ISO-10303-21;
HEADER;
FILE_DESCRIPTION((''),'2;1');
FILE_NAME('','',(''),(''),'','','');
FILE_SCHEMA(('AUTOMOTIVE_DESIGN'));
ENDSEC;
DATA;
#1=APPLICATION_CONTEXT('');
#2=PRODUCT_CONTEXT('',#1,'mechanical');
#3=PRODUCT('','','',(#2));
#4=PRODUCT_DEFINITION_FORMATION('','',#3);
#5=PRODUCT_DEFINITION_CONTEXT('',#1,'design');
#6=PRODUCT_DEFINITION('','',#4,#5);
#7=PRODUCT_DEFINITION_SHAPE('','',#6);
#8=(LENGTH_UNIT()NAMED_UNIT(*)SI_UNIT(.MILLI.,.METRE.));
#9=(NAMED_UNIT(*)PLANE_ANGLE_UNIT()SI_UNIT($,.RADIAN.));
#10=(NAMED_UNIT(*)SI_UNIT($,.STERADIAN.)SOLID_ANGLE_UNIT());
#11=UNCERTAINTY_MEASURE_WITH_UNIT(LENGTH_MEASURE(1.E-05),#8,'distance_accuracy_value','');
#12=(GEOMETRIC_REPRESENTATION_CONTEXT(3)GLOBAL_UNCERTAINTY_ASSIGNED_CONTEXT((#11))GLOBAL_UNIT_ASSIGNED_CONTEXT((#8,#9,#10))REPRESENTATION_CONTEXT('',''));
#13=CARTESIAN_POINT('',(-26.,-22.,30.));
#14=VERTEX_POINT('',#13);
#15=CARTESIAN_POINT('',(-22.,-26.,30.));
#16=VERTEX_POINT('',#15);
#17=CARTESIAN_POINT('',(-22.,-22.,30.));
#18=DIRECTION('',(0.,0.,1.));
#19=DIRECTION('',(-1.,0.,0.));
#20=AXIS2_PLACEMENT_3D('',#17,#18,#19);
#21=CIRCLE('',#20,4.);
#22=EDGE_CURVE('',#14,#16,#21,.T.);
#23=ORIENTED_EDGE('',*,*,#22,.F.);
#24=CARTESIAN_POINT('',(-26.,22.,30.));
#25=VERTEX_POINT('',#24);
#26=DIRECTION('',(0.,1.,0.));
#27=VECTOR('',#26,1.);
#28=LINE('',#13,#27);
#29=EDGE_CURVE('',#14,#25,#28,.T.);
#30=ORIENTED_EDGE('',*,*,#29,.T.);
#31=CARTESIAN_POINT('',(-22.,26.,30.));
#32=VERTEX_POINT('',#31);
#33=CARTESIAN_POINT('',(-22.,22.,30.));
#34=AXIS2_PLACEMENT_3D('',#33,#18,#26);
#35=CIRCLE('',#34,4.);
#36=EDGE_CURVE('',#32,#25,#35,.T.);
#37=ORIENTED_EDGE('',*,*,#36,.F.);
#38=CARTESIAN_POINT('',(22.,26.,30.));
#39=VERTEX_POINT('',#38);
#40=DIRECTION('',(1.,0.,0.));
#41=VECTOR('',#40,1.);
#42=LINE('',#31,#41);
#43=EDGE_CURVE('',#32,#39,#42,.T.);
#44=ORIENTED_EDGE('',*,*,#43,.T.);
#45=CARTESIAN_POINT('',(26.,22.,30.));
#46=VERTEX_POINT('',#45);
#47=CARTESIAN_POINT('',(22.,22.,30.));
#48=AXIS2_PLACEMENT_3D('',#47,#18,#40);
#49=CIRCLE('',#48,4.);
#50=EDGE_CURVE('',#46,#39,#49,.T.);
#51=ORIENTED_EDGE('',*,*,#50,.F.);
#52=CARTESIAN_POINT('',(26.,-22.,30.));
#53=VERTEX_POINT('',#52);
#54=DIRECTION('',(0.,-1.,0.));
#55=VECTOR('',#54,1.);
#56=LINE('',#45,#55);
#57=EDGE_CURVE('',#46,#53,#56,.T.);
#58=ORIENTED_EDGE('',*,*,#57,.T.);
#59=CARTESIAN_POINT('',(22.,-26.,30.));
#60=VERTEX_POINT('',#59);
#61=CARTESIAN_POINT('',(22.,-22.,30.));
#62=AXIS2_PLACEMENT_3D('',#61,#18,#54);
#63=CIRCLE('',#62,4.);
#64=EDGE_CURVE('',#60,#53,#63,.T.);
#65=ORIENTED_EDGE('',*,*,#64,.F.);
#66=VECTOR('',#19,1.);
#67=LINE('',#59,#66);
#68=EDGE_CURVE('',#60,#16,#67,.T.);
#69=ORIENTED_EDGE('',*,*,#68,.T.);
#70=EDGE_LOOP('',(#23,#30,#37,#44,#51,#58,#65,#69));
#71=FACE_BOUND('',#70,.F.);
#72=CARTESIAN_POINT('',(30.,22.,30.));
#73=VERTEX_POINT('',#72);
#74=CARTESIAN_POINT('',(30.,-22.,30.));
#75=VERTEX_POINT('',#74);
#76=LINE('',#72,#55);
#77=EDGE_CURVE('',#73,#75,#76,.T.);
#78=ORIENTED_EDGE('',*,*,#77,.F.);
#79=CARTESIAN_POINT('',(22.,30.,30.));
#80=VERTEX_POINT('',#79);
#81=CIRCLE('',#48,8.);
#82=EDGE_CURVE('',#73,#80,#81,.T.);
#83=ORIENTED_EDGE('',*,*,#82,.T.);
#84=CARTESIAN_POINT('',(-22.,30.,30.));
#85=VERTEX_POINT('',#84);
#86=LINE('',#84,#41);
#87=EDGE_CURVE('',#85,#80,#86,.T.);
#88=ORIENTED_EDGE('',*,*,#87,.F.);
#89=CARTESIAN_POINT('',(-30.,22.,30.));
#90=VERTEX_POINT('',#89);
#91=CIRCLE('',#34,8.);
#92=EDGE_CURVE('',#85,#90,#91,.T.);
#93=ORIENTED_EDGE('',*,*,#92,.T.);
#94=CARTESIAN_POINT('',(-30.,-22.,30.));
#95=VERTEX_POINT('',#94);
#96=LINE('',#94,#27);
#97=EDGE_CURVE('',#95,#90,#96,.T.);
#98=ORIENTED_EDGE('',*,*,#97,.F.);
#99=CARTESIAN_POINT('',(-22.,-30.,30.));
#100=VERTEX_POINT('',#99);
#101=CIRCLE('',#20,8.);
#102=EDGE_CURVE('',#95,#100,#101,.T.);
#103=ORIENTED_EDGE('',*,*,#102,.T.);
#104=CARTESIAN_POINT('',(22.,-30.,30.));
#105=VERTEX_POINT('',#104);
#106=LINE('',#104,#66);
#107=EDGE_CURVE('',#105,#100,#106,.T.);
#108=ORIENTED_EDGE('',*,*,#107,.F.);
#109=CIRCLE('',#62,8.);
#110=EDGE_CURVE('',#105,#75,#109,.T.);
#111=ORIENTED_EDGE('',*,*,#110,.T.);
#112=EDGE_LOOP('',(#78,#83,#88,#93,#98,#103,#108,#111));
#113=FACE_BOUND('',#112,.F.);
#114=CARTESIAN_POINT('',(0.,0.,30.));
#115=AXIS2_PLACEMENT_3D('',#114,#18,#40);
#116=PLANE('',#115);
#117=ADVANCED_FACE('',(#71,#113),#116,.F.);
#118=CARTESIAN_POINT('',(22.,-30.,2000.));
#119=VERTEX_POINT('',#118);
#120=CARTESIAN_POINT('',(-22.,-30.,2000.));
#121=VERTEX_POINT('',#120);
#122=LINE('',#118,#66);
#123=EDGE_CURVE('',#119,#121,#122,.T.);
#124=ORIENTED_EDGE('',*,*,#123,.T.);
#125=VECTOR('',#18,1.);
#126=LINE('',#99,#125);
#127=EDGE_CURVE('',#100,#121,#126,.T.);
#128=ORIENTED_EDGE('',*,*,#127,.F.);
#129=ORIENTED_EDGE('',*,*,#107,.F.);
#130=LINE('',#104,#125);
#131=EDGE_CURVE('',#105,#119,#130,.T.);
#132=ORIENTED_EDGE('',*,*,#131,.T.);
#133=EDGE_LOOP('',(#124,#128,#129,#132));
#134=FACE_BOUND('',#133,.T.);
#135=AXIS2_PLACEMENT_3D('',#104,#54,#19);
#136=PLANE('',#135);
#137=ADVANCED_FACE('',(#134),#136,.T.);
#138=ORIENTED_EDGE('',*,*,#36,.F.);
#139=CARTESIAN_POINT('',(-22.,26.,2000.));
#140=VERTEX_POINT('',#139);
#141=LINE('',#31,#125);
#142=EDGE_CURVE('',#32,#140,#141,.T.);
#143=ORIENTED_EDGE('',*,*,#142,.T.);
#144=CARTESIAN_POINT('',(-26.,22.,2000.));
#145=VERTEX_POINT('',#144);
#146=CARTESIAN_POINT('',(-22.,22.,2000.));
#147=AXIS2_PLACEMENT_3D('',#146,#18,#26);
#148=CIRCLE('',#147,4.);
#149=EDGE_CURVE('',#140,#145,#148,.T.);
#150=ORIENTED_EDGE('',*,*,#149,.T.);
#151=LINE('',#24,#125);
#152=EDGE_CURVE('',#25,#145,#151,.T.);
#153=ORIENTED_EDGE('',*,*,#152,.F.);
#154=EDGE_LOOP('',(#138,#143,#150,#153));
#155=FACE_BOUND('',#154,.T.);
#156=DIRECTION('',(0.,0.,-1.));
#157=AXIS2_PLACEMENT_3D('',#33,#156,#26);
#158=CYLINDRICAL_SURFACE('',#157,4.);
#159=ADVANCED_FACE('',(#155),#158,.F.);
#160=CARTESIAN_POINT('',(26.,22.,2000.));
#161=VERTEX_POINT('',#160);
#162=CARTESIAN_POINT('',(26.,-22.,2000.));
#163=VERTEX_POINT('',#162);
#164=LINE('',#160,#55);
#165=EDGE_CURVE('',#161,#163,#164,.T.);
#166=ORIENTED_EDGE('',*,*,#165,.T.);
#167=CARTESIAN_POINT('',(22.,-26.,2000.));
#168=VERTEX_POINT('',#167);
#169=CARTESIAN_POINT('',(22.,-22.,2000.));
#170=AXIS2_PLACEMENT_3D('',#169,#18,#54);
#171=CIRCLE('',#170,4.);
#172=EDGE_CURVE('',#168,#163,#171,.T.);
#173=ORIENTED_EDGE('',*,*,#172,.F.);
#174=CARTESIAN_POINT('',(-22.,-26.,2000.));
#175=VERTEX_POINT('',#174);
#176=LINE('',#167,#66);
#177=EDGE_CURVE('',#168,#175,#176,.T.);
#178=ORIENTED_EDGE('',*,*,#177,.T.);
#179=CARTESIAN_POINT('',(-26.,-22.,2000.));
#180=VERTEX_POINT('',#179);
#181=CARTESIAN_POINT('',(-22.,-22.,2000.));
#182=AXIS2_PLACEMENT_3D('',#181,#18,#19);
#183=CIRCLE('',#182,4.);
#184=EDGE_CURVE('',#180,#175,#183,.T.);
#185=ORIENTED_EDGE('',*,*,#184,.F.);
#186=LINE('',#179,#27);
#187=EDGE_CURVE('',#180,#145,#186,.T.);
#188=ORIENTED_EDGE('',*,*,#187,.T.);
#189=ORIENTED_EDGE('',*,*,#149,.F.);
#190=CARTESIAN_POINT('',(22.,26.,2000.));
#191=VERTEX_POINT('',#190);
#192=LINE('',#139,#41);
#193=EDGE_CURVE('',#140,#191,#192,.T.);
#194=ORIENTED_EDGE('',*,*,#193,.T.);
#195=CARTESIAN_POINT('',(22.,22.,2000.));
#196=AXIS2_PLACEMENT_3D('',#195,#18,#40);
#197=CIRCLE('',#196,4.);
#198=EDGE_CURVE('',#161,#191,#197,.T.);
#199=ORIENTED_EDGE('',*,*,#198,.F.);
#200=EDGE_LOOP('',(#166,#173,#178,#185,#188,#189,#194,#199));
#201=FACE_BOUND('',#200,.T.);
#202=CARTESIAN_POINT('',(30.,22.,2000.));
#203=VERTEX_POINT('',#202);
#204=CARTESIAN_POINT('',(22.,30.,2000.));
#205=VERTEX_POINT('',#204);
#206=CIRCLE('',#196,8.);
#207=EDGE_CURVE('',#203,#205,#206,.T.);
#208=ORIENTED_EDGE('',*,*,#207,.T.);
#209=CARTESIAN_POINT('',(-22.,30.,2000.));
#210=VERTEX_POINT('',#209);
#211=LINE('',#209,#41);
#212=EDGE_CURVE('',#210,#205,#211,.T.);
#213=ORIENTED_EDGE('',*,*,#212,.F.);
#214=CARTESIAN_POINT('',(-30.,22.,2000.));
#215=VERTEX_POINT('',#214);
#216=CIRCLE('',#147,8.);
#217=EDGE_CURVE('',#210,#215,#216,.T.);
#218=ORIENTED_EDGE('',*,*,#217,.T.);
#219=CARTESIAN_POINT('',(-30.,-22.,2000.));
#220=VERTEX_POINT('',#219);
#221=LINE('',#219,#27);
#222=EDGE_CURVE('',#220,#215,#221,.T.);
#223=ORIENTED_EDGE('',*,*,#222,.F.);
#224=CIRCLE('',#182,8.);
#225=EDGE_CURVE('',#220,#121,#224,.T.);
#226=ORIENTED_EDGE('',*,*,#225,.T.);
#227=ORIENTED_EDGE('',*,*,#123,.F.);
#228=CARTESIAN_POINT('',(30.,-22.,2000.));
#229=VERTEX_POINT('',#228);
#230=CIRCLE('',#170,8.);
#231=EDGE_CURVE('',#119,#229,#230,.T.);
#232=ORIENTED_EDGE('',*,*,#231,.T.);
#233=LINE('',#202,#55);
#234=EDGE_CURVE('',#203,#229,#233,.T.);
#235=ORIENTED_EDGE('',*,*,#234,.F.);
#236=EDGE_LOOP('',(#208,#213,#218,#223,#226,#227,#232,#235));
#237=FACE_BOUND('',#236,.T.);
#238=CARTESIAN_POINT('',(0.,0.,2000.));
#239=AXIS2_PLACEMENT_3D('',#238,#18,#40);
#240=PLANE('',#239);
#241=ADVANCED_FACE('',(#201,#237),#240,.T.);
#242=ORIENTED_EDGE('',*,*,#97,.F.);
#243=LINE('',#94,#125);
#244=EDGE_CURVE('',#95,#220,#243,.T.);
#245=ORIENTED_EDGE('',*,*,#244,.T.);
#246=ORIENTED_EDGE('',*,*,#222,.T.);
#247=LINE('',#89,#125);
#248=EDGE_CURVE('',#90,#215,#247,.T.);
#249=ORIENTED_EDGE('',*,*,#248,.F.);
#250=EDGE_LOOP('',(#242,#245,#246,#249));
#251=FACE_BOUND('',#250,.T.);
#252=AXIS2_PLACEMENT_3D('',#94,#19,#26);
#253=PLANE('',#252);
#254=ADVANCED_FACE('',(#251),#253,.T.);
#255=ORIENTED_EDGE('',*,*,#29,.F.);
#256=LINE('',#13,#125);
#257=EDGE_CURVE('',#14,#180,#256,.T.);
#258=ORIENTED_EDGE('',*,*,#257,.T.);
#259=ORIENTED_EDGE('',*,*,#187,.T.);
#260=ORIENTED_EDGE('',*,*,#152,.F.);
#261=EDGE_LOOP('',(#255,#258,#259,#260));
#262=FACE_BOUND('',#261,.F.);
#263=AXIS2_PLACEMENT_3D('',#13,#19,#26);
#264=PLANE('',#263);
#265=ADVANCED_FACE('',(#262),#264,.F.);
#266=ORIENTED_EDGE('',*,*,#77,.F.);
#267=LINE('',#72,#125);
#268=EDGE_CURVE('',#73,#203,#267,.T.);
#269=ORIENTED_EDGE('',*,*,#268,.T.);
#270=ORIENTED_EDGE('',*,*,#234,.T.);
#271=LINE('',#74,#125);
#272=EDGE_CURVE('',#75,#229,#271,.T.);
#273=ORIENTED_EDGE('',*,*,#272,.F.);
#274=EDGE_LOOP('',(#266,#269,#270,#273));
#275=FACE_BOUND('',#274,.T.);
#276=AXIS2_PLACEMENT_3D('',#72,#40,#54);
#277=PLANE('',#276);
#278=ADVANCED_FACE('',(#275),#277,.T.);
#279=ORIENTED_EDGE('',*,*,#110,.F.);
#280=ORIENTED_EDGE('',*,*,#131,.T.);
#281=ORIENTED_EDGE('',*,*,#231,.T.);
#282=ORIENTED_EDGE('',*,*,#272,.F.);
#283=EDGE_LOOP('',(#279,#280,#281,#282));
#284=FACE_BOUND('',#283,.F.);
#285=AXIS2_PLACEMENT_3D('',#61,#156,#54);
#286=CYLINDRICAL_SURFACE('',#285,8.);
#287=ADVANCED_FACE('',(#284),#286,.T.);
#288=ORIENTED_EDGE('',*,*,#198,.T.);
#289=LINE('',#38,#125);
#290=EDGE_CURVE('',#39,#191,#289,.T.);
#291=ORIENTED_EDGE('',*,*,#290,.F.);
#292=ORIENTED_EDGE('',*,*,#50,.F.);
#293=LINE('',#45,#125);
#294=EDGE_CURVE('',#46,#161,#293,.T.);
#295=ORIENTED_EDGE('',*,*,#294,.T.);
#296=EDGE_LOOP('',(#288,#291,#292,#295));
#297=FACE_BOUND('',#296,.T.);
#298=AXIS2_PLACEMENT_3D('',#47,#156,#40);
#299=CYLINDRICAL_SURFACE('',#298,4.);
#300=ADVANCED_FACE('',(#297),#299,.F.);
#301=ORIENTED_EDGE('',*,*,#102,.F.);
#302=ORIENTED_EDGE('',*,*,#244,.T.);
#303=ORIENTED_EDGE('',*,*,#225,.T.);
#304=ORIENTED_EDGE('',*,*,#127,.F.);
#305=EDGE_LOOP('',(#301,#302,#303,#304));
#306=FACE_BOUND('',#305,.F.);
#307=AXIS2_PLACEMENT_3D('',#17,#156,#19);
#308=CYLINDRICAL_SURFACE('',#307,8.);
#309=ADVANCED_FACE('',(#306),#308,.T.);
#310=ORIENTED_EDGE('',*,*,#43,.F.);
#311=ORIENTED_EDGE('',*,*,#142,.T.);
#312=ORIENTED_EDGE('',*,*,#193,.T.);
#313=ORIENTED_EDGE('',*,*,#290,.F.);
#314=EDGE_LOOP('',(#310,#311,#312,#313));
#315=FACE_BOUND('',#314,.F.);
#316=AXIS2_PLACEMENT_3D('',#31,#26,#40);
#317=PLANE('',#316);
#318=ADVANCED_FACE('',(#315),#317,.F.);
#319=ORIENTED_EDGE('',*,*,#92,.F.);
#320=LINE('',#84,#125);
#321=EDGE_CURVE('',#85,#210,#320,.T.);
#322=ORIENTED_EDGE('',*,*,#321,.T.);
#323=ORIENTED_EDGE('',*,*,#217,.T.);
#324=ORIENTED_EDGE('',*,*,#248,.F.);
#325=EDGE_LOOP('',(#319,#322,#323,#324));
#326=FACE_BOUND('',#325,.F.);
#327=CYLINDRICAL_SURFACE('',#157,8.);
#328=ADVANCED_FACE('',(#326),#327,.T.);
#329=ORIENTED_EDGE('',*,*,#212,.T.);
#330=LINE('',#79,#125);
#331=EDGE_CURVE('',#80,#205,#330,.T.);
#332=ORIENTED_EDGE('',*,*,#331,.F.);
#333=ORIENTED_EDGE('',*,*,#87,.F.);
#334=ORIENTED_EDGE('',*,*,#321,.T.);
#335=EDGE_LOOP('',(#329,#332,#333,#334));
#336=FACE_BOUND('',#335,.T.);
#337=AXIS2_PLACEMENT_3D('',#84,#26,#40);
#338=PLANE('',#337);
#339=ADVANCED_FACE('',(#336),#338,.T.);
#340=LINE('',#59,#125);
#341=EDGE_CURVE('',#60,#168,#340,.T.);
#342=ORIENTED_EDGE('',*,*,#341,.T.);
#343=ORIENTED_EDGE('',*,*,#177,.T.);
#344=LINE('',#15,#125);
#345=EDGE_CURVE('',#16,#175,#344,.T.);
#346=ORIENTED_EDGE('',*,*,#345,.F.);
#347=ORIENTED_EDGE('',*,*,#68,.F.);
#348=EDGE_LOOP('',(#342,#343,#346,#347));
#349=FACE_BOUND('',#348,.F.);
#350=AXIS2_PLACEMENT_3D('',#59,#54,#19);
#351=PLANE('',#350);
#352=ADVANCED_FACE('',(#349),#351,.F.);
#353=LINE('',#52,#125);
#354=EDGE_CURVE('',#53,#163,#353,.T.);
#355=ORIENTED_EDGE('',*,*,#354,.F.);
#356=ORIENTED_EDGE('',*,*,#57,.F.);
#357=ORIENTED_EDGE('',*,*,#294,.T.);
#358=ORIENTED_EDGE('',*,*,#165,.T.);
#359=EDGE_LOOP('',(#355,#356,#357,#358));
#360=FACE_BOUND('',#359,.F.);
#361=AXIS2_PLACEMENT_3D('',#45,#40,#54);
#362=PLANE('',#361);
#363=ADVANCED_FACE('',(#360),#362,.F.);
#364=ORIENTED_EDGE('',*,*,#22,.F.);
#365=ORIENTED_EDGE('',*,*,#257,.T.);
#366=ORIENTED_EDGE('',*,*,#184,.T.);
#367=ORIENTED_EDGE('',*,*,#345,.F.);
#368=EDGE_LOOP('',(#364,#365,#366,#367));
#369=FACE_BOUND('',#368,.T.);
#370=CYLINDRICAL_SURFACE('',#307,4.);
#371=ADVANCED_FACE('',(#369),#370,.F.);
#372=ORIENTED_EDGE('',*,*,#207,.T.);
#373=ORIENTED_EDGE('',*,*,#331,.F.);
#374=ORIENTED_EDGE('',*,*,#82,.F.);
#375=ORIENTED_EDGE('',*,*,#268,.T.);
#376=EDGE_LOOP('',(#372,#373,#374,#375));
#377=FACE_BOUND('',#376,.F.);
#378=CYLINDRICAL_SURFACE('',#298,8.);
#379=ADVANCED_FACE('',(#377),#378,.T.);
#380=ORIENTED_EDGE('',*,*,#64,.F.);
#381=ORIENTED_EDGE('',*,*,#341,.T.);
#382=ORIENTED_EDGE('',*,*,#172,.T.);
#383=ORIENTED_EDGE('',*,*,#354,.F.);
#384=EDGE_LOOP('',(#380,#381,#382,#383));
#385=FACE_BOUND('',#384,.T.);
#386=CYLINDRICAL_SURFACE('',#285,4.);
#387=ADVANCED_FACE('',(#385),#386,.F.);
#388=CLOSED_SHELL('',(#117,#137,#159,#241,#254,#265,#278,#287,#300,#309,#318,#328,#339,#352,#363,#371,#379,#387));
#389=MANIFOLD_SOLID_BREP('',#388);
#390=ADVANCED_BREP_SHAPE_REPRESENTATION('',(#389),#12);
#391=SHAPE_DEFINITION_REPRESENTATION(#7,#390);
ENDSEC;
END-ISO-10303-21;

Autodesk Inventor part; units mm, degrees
ref_plane "Start Plane" through (0, 0, 30) normal (0, 0, 1) x (1, 0, 0)
ref_plane "End Plane" through (0, 0, 2000) normal (0, 0, 1) x (1, 0, 0)
sketch "Sketch" plane through (0, 0, 0) normal (0, 0, 1) x (1, 0, 0)
  line L0 (-30, -22) -> (-30, 22)
  line L1 (-22, 30) -> (22, 30)
  line L2 (30, 22) -> (30, -22)
  line L3 (22, -30) -> (-22, -30)
  arc A0 (-30, -22) -> (-22, -30) centre (-22, -22) ccw
  arc A1 (30, 22) -> (22, 30) centre (22, 22) ccw
  arc A2 (-22, 30) -> (-30, 22) centre (-22, 22) ccw
  arc A3 (22, -30) -> (30, -22) centre (22, -22) ccw
  arc A4 (-22, 26) -> (-26, 22) centre (-22, 22) ccw
  line L4 (-22, 26) -> (22, 26)
  arc A5 (26, 22) -> (22, 26) centre (22, 22) ccw
  line L5 (26, 22) -> (26, -22)
  arc A6 (22, -26) -> (26, -22) centre (22, -22) ccw
  line L6 (22, -26) -> (-22, -26)
  arc A7 (-26, -22) -> (-22, -26) centre (-22, -22) ccw
  line L7 (-26, -22) -> (-26, 22)
  line L8 (0, 44.3196) -> (0, -44.3196) construction
  line L9 (-44.3196, 0) -> (44.3196, 0) construction
  dimension "d7" = 8
  dimension "d9" = 60
  dimension "d11" = 60
  dimension "d12" = 4
  dimension "d15" = 30
  dimension "d16" = 30
extrude "Body" add sketch "Sketch" along normal up to surface (1970 mm away) from surface at 30
sketch "Sketch3" plane through (0, 0, 0) normal (0, 0, 1) x (1, 0, 0)
  line L0 (0, 0) -> (10, 0)
ref_plane "Work Plane3" through (0, 0, 0) normal (0, -1, 0) x (1, 0, 0)
ref_plane "Work Plane4" through (-1750, -22, 30) normal (0, 0, -1) x (-1, 0, 0)
split "Split1" plane through (-1750, -22, 30) removes the side toward (0, 0, -1)
sketch "Sketch4" plane through (0, 0, 0) normal (0, -1, 0) x (1, 0, 0)
  line L0 (-2, 30) -> (12, 30) projected
  line L1 (-2, 2000) -> (12, 2000) projected
  dimension "d18" = 1970
equation "\"d7\" = G_IR"
equation "\"d9\" = G_W"
equation "\"d11\" = G_H"
equation "\"d12\" = G_T"
equation "\"d15\" = 0.5 * d9"
equation "\"d16\" = 0.5 * d11"
equation "\"d3\" = G_L"
equation "\"G_W\" = 60"
equation "\"G_H\" = 60"
equation "\"G_T\" = 4"
equation "\"G_IR\" = 8"
equation "\"G_L\" = d18"
equation "\"G_OFFSET_END\" = 0"
properties part number "ISO 10799-2 - 60x60x4 - 1970" material "Steel, Mild"
